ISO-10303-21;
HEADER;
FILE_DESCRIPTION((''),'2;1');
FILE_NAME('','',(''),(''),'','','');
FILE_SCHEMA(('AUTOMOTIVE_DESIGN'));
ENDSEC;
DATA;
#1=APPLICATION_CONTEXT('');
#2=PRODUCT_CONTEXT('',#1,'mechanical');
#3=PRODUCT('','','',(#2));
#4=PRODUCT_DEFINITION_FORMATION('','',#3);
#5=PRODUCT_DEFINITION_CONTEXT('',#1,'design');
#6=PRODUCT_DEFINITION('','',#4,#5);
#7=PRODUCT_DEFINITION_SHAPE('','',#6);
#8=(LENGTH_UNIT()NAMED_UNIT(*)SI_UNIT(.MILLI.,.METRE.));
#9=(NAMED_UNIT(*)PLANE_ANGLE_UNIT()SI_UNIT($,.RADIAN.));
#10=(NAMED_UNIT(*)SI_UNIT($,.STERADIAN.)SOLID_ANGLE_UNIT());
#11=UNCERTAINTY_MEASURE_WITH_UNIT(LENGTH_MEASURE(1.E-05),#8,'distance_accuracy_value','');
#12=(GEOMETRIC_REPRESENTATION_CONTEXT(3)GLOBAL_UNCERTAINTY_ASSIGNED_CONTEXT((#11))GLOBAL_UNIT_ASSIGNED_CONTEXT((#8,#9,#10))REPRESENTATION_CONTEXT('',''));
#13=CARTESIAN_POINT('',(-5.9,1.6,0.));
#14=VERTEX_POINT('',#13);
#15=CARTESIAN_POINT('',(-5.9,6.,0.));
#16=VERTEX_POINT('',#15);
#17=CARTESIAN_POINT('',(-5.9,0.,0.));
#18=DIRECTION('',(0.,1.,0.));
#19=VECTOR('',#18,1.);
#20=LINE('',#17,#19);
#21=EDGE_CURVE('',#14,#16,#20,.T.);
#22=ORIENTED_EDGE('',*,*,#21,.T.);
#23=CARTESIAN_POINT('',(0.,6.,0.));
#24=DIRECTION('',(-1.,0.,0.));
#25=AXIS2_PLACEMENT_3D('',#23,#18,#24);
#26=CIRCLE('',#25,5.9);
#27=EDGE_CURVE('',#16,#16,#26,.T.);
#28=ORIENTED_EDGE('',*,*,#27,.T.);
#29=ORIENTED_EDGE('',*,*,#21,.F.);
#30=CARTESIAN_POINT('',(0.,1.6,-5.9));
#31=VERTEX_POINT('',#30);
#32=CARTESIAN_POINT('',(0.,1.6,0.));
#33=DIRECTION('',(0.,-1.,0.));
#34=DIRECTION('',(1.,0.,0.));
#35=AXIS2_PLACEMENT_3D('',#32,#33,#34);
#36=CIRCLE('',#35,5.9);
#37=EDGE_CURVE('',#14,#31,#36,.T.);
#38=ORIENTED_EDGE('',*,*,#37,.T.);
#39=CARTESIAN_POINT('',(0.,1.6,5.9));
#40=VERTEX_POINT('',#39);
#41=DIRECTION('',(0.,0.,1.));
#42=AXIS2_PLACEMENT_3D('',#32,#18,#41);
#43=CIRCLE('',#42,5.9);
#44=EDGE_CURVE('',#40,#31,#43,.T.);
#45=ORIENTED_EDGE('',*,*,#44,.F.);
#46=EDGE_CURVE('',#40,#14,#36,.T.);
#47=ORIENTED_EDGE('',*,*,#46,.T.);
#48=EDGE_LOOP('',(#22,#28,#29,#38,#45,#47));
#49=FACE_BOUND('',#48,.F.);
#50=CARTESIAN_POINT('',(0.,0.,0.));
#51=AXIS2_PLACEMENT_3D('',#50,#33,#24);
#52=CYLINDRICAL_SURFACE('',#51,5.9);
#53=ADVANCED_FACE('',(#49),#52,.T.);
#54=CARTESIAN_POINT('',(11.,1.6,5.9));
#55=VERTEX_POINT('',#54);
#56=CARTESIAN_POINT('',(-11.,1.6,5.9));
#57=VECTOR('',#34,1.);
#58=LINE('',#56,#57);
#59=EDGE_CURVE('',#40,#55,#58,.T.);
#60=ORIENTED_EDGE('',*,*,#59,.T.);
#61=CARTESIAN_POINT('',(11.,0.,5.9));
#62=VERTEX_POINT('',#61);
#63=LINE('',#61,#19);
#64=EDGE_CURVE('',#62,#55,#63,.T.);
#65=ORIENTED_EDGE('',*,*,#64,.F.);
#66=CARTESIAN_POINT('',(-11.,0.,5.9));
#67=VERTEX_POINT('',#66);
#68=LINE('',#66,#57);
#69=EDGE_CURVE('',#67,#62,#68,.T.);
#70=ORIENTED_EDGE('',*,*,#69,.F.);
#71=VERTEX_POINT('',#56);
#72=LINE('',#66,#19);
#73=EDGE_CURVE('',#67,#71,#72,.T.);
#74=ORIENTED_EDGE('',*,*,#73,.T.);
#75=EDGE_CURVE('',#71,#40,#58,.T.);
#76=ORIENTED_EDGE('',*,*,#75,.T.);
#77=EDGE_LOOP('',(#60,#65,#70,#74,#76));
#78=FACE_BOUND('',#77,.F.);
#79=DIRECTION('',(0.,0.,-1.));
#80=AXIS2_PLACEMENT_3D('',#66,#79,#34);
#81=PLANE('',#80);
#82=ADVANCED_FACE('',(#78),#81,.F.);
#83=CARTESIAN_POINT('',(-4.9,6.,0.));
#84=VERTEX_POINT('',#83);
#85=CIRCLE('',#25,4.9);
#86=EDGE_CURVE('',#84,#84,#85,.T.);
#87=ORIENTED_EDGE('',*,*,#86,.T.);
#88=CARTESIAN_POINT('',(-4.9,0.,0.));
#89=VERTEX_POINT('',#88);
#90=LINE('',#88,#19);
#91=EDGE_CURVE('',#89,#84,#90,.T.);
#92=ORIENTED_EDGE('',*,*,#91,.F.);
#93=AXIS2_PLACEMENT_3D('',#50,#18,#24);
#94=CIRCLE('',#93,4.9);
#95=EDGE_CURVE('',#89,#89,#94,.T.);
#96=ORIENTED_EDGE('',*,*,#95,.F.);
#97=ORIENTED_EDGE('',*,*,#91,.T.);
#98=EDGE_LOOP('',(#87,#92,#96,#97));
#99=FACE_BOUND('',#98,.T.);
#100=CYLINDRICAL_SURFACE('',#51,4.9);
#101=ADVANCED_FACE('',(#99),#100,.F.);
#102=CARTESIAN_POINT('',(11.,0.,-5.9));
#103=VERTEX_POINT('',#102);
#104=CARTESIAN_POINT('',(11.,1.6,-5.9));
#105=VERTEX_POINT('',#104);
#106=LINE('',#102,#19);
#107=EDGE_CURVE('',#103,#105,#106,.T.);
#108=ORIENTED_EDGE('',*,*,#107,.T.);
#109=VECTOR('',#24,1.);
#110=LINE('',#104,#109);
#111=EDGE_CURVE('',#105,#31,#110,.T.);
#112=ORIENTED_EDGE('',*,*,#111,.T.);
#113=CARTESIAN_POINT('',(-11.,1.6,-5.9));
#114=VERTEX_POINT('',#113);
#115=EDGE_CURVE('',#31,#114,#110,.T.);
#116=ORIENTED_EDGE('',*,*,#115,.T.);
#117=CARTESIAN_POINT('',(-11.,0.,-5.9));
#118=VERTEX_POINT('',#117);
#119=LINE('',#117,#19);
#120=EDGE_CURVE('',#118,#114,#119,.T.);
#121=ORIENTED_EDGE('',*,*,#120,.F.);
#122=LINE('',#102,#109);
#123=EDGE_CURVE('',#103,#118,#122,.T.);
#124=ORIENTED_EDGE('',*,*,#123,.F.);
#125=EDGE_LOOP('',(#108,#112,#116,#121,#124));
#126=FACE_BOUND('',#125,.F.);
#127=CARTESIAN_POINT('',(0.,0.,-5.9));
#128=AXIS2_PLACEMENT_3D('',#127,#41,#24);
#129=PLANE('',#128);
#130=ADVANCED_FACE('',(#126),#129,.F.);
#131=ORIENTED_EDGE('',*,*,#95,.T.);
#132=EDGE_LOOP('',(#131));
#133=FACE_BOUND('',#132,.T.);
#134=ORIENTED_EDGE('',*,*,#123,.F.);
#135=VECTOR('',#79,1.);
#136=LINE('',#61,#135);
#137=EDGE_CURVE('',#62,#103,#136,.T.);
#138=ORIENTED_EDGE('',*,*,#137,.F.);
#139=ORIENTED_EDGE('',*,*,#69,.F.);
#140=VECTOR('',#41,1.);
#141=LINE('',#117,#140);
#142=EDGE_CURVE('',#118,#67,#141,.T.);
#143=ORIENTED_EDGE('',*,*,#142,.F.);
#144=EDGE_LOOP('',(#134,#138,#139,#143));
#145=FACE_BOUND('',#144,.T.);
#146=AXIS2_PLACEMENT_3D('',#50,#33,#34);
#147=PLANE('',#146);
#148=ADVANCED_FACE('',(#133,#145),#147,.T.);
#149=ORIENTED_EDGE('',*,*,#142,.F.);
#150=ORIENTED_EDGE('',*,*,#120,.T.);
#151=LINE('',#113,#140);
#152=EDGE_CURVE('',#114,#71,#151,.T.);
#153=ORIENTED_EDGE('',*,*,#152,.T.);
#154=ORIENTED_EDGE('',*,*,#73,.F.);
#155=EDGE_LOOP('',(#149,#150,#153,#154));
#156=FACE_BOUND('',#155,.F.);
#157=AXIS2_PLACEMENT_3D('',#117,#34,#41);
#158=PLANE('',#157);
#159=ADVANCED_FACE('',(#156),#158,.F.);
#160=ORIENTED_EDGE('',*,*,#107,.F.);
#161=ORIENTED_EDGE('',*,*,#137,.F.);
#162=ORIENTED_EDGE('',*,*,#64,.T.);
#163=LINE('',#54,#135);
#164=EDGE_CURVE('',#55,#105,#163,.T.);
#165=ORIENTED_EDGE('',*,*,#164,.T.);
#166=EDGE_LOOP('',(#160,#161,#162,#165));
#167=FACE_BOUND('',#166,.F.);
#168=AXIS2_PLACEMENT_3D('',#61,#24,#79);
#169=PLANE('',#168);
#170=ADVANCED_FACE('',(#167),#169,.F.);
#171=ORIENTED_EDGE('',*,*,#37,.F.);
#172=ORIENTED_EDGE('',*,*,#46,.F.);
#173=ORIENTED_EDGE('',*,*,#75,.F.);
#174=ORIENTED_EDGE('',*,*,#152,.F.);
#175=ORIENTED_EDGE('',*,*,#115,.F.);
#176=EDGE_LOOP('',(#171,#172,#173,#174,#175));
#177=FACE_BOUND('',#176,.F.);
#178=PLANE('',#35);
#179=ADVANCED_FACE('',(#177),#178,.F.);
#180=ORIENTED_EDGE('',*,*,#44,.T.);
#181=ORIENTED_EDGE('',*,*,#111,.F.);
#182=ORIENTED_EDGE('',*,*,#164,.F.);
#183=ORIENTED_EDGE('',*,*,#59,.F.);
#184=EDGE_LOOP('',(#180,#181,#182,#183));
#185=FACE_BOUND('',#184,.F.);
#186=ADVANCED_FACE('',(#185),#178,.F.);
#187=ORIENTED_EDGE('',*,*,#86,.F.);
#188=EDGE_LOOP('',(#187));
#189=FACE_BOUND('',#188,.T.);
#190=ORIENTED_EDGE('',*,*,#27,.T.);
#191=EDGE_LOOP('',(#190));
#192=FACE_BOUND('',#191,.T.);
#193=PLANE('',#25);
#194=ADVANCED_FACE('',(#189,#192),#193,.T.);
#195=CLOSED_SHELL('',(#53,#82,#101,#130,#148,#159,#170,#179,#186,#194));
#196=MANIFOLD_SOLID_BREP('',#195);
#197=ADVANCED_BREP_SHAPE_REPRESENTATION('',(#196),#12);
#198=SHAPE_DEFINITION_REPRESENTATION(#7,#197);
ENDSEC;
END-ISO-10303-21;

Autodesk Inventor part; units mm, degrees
ref_plane "YZ Plane" through (0, 0, 0) normal (1, 0, 0) x (0, 1, 0)
ref_plane "XZ Plane" through (0, 0, 0) normal (0, 1, 0) x (-1, 0, 0)
ref_plane "XY Plane" through (0, 0, 0) normal (0, 0, 1) x (1, 0, 0)
sketch "Sketch1" plane through (0, 0, 0) normal (0, 1, 0) x (-1, 0, 0)
  circle A0 centre (0, 0) radius 4.9
  circle A1 centre (0, 0) radius 5.9
  dimension "d0" = 9.8
  dimension "d1" = 1
extrude "Extrusion1" add sketch "Sketch1" along normal blind 6
sketch "Sketch2" plane through (0, 0, 0) normal (0, -1, 0) x (1, 0, 0)
  circle A0 centre (0, 0) radius 5.9 projected
  circle A1 centre (0, 0) radius 4.9 projected
  line L0 (-11, 5.9) -> (11, 5.9)
  line L1 (11, 5.9) -> (11, -5.9)
  line L2 (11, -5.9) -> (-11, -5.9)
  line L3 (-11, -5.9) -> (-11, 5.9)
  line L4 (-11, 5.9) -> (11, -5.9) construction
  line L5 (11, 5.9) -> (-11, -5.9) construction
  circle A2 centre (0, 0) radius 5.9 projected
  point P0 (0, -5.9)
  point P1 (0, 5.9)
  dimension "d4" = 22
extrude "Extrusion2" add sketch "Sketch2" against normal blind 1.6 contours A0 L0 L1 L2 | A0 L2 L3 L0
properties part number "mic-mic-holder"
